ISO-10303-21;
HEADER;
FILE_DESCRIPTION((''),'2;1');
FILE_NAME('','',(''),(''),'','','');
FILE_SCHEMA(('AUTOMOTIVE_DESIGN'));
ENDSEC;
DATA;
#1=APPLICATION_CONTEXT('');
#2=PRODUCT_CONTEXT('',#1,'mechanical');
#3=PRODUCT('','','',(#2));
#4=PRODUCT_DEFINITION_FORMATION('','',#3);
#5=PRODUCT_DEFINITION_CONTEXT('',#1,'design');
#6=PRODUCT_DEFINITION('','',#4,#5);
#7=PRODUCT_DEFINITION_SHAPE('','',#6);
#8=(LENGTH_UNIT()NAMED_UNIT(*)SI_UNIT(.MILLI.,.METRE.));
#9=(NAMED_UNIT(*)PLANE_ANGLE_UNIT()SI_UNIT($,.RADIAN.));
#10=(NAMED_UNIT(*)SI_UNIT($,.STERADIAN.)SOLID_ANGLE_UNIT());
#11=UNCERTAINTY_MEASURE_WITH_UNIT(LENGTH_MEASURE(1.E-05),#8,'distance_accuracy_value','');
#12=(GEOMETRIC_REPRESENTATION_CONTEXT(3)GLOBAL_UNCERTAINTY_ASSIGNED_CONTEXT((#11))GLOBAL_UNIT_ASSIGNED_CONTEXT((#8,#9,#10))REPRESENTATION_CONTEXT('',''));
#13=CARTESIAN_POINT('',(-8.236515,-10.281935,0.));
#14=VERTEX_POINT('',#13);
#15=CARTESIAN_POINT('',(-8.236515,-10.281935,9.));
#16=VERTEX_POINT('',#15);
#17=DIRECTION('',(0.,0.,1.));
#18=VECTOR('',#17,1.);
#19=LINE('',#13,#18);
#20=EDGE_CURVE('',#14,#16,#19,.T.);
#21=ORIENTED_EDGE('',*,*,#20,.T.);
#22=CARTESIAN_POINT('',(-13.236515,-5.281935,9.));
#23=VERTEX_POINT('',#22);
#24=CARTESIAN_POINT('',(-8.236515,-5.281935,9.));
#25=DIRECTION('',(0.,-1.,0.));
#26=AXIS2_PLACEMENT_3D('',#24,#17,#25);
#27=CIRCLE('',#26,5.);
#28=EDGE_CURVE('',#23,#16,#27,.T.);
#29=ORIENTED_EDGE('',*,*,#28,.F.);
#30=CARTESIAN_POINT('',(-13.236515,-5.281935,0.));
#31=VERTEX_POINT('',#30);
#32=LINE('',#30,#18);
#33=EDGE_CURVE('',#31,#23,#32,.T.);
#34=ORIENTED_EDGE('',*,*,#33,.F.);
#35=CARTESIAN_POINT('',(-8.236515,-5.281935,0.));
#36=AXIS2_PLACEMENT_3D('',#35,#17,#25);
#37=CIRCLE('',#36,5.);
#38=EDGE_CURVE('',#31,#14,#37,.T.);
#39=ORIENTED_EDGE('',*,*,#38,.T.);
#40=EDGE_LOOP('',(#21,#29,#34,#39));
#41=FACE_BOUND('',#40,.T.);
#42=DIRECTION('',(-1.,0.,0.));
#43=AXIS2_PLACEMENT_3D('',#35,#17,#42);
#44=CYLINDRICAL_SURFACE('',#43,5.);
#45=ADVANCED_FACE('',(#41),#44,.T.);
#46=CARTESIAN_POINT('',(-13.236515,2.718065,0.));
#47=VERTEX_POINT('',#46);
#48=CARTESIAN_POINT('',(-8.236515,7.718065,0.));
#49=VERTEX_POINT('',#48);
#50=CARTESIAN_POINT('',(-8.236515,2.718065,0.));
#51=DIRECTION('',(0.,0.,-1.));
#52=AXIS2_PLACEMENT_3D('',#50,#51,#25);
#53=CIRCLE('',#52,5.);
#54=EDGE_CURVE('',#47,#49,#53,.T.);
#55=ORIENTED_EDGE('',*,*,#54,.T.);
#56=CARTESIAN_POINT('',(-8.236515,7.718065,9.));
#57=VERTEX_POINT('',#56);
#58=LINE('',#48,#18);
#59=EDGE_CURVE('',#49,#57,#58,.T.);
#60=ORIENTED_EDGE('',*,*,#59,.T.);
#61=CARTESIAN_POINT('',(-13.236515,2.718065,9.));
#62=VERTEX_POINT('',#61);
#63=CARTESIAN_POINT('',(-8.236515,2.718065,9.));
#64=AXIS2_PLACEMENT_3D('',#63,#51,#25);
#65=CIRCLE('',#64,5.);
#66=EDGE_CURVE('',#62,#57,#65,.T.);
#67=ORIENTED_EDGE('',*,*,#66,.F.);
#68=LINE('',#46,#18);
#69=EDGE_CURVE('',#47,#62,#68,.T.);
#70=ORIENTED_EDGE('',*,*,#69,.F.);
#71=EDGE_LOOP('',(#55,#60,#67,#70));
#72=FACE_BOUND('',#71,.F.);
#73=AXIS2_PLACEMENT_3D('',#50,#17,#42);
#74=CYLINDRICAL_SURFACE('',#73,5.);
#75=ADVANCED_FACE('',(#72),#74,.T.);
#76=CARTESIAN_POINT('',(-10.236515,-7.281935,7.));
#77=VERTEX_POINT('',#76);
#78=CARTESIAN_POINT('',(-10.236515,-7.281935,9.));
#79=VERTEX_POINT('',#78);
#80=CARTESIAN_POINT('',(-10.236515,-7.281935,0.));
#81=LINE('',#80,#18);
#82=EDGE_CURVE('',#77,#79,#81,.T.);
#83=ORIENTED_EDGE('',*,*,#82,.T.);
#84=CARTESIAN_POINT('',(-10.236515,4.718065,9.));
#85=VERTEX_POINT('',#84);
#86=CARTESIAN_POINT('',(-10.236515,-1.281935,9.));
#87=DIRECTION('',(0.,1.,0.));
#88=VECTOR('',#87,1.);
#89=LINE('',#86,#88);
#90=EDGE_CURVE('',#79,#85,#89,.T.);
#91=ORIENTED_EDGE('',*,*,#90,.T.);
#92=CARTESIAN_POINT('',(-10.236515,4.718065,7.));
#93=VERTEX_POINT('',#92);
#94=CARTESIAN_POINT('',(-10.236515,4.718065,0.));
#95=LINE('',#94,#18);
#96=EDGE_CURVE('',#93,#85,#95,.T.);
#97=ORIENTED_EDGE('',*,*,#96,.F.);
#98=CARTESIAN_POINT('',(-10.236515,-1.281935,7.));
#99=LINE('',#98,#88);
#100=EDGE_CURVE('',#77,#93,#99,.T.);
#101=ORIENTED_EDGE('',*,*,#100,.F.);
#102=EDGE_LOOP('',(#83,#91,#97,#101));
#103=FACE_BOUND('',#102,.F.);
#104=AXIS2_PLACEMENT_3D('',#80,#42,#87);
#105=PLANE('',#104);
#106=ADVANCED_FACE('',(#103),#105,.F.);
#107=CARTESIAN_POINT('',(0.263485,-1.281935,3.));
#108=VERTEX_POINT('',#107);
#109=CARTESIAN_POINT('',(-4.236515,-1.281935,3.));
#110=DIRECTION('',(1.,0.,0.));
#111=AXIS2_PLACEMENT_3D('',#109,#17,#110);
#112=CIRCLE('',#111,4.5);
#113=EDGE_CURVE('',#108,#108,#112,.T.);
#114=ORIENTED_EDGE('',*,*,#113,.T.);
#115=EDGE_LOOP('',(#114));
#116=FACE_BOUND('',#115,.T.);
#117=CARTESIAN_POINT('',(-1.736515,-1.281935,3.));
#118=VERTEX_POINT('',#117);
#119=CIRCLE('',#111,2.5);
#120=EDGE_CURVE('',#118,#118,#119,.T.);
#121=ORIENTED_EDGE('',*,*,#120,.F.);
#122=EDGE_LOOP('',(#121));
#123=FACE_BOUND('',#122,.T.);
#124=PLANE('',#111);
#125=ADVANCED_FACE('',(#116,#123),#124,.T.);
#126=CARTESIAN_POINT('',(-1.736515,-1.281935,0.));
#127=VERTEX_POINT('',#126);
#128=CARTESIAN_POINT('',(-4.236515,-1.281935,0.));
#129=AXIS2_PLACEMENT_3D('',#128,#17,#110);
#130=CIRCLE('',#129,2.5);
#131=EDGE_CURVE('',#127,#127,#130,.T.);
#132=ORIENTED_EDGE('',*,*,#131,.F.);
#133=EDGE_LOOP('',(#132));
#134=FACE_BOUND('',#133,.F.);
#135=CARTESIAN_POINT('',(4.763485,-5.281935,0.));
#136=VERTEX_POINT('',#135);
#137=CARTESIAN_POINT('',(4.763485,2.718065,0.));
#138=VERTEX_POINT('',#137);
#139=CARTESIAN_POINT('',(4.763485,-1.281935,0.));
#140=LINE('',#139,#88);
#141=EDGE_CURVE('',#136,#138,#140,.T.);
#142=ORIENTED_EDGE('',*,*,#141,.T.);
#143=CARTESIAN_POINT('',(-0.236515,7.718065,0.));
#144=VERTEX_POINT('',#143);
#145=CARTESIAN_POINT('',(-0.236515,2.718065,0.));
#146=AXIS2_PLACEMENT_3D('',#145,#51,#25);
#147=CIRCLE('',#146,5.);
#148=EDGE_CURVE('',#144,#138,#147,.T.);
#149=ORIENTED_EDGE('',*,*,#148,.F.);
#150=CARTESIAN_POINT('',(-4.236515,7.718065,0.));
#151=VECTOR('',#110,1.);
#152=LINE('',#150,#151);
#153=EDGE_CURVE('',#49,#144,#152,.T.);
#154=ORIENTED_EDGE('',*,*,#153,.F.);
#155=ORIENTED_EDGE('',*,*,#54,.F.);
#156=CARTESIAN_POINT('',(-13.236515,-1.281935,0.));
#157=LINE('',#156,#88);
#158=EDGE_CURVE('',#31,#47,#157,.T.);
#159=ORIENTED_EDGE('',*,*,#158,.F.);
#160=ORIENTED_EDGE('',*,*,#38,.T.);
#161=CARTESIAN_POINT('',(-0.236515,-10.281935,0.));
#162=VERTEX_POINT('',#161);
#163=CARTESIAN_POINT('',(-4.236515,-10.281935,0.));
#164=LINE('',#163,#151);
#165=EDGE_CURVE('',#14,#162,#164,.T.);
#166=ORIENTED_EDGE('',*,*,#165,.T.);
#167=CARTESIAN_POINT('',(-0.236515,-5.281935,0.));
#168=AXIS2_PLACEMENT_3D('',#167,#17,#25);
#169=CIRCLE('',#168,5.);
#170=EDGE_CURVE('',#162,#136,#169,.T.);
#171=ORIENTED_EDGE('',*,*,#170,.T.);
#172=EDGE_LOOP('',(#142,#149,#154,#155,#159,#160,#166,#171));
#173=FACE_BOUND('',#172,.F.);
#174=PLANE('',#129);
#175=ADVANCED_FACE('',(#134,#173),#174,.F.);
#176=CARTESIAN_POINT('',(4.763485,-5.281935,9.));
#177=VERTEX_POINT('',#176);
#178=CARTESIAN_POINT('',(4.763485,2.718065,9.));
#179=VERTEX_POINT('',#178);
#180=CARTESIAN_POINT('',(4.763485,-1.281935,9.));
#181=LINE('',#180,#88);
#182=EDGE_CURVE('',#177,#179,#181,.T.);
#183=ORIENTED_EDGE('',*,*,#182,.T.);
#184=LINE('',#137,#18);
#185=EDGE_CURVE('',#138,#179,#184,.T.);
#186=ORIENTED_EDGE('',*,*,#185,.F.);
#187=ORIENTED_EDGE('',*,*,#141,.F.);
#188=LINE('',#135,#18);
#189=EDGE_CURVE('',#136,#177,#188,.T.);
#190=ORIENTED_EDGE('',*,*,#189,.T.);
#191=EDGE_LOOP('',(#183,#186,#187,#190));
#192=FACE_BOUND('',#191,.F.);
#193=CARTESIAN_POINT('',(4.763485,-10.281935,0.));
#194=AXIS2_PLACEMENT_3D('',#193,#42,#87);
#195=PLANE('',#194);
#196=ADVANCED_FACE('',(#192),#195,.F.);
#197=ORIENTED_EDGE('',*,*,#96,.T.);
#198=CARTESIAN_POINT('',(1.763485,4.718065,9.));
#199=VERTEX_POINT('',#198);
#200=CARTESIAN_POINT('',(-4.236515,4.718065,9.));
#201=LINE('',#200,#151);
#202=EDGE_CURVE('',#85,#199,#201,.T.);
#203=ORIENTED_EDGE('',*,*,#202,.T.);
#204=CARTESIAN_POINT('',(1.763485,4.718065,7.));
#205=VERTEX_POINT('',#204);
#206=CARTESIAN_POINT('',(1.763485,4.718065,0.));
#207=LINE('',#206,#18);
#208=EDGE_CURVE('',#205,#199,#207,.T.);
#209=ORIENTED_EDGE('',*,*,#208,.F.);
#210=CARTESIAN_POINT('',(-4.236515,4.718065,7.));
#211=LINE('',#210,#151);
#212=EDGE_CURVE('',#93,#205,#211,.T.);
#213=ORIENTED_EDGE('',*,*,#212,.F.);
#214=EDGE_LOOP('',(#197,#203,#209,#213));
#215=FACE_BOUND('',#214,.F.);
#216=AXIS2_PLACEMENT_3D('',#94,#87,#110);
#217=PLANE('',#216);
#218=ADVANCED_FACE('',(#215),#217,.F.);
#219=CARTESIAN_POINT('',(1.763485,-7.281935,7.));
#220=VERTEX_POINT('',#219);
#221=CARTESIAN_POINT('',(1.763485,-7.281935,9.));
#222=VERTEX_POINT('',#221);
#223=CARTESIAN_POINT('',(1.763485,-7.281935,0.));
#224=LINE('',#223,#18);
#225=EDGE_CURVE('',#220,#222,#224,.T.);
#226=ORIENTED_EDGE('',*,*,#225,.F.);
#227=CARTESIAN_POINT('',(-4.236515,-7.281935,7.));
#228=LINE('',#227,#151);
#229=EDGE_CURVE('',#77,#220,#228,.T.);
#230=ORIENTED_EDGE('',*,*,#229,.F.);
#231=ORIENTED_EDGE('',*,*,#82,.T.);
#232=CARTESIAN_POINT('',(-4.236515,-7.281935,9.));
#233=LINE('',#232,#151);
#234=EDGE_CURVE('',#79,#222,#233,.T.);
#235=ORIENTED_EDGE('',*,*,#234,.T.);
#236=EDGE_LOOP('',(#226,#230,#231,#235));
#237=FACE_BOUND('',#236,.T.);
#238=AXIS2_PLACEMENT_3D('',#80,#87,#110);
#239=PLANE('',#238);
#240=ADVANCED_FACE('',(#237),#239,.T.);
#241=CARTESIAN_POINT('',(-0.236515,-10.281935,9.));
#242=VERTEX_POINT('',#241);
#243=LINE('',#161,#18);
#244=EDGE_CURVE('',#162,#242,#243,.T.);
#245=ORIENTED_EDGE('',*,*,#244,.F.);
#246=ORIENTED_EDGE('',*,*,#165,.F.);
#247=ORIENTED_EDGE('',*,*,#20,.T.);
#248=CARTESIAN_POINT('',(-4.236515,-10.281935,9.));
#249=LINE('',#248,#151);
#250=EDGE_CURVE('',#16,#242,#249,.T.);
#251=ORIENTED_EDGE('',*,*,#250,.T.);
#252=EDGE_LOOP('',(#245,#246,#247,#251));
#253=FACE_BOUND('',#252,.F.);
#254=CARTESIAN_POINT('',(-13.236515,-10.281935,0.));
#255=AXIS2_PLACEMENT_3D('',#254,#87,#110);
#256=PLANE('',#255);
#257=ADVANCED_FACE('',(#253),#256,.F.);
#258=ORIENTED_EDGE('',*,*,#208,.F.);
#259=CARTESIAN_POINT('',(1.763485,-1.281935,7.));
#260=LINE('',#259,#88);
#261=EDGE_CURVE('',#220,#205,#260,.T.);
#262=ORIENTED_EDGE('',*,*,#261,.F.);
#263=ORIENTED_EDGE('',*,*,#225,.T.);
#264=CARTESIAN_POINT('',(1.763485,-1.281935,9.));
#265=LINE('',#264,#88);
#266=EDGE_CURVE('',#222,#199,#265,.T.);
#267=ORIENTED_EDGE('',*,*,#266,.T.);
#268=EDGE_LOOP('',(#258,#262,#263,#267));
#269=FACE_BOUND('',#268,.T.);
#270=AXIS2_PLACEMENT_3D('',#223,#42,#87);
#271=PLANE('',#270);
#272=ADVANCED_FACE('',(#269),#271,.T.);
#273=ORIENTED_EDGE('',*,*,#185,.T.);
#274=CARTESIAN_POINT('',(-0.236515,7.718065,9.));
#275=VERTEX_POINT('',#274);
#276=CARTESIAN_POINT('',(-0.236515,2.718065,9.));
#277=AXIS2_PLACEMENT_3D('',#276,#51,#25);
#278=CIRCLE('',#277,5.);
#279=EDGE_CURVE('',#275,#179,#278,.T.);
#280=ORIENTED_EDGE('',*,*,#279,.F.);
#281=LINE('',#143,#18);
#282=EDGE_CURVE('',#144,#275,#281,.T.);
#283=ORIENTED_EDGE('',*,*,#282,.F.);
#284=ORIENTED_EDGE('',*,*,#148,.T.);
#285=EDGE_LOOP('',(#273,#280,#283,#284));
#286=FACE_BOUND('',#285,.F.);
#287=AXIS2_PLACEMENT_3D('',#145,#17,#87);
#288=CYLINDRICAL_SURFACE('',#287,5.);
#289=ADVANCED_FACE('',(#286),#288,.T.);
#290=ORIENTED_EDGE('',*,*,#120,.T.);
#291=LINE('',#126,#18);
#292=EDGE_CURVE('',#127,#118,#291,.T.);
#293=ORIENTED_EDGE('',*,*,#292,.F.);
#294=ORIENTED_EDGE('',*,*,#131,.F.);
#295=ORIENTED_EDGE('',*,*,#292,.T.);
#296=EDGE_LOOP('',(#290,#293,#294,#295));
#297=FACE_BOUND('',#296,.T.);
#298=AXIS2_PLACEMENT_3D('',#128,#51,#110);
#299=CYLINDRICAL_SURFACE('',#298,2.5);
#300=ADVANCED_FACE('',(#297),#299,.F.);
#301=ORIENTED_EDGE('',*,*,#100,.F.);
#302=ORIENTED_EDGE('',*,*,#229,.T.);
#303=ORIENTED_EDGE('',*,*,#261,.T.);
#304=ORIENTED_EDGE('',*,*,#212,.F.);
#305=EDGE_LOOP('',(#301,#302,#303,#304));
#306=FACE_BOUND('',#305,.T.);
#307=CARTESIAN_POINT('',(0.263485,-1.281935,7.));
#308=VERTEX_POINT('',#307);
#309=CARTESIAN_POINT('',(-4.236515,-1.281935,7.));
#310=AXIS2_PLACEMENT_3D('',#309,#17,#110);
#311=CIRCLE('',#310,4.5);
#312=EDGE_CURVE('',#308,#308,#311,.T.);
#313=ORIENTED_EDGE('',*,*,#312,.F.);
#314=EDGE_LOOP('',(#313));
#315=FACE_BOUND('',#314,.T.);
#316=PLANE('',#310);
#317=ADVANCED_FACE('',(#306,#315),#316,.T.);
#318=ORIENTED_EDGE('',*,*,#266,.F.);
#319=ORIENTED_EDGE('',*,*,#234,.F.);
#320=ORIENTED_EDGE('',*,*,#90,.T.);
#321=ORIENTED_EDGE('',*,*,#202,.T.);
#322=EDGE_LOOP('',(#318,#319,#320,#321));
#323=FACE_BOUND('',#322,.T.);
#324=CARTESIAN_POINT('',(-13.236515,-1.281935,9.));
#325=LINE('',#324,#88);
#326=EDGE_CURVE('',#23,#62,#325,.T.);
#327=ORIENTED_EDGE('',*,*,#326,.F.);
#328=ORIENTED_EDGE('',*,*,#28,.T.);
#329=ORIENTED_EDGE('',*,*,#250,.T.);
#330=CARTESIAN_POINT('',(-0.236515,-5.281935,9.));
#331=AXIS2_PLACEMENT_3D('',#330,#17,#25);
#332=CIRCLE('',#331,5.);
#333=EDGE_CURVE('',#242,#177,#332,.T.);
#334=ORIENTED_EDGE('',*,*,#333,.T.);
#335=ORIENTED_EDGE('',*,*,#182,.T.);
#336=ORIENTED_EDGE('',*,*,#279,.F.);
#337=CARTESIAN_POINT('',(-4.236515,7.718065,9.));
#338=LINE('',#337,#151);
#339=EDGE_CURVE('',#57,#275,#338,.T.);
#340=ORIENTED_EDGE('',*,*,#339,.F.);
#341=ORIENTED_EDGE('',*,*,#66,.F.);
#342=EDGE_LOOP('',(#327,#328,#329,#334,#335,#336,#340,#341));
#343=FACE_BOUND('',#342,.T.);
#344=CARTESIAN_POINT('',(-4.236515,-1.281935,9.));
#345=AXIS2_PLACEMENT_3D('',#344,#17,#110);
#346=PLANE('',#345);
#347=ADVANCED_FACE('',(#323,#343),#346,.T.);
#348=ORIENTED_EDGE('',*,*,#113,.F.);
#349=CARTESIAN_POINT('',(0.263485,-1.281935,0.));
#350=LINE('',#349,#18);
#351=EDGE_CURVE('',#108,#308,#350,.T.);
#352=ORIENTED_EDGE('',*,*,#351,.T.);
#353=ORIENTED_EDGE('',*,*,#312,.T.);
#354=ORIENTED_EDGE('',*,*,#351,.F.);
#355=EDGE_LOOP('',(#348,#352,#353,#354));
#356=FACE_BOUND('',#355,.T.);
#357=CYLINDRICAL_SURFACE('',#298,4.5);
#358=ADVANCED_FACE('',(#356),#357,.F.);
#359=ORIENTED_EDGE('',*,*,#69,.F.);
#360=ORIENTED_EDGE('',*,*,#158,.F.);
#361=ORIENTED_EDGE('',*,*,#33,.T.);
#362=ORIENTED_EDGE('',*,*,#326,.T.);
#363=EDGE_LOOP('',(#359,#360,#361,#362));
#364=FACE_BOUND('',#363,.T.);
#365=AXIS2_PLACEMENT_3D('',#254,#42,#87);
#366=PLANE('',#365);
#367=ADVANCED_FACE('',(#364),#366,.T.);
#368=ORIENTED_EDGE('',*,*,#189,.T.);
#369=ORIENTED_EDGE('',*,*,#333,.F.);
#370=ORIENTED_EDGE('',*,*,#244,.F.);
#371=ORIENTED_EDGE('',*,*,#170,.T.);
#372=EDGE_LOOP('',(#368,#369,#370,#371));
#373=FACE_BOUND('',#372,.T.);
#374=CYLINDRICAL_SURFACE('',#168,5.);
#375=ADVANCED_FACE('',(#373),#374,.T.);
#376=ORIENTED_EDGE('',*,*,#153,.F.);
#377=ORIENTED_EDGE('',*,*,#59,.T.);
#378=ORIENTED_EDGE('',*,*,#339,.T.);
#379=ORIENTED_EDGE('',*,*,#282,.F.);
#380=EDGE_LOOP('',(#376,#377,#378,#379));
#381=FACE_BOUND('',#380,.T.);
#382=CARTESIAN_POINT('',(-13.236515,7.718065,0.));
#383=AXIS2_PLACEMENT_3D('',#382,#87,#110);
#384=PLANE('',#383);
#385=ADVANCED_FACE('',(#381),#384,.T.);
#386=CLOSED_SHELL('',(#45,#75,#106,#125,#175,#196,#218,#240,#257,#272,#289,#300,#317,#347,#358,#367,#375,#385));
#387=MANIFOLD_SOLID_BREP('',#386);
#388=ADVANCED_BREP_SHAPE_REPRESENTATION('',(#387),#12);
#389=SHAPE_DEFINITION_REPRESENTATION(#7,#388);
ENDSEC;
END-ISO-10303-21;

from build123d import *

# Parameters (mm, degrees)
F0_W     = 12
F0_H     = 12
F0_R     = 4.5
F1_DEPTH = 7
F0_W_2   = 18
F0_H_2   = 18
F2_DEPTH = 9
F3_R     = 5
F0_R_2   = 2.5
F4_DEPTH = 3


with BuildPart() as f1:
    # F0 (on Top) → F1 (new body)
    with BuildSketch(Plane.XY):
        with Locations((-4.236515, -1.281935)):
            Rectangle(F0_W, F0_H)
        with Locations((-4.236515, -1.281935)):
            Circle(F0_R, mode=Mode.SUBTRACT)
    extrude(amount=F1_DEPTH)

    # F0 (on Top) → F2 (join)
    with BuildSketch(Plane.XY):
        with Locations((-4.236515, -1.281935)):
            Rectangle(F0_W_2, F0_H_2)
        with Locations((-4.236515, -1.281935)):
            Rectangle(F0_W, F0_H, mode=Mode.SUBTRACT)
    extrude(amount=F2_DEPTH)

    # F3
    f3_edges = [f1.edges().sort_by_distance(p)[0] for p in [
        (-13.236515, -10.281935, 4.5),
        (4.763485, -10.281935, 4.5),
        (4.763485, 7.718065, 4.5),
        (-13.236515, 7.718065, 4.5),
    ]]
    fillet(f3_edges, radius=F3_R)

    # F0 (on Top) → F4 (join)
    with BuildSketch(Plane.XY):
        with Locations((-4.236515, -1.281935)):
            Circle(F0_R)
        with Locations((-4.236515, -1.281935)):
            Circle(F0_R_2, mode=Mode.SUBTRACT)
    extrude(amount=F4_DEPTH)


solid = f1.part
